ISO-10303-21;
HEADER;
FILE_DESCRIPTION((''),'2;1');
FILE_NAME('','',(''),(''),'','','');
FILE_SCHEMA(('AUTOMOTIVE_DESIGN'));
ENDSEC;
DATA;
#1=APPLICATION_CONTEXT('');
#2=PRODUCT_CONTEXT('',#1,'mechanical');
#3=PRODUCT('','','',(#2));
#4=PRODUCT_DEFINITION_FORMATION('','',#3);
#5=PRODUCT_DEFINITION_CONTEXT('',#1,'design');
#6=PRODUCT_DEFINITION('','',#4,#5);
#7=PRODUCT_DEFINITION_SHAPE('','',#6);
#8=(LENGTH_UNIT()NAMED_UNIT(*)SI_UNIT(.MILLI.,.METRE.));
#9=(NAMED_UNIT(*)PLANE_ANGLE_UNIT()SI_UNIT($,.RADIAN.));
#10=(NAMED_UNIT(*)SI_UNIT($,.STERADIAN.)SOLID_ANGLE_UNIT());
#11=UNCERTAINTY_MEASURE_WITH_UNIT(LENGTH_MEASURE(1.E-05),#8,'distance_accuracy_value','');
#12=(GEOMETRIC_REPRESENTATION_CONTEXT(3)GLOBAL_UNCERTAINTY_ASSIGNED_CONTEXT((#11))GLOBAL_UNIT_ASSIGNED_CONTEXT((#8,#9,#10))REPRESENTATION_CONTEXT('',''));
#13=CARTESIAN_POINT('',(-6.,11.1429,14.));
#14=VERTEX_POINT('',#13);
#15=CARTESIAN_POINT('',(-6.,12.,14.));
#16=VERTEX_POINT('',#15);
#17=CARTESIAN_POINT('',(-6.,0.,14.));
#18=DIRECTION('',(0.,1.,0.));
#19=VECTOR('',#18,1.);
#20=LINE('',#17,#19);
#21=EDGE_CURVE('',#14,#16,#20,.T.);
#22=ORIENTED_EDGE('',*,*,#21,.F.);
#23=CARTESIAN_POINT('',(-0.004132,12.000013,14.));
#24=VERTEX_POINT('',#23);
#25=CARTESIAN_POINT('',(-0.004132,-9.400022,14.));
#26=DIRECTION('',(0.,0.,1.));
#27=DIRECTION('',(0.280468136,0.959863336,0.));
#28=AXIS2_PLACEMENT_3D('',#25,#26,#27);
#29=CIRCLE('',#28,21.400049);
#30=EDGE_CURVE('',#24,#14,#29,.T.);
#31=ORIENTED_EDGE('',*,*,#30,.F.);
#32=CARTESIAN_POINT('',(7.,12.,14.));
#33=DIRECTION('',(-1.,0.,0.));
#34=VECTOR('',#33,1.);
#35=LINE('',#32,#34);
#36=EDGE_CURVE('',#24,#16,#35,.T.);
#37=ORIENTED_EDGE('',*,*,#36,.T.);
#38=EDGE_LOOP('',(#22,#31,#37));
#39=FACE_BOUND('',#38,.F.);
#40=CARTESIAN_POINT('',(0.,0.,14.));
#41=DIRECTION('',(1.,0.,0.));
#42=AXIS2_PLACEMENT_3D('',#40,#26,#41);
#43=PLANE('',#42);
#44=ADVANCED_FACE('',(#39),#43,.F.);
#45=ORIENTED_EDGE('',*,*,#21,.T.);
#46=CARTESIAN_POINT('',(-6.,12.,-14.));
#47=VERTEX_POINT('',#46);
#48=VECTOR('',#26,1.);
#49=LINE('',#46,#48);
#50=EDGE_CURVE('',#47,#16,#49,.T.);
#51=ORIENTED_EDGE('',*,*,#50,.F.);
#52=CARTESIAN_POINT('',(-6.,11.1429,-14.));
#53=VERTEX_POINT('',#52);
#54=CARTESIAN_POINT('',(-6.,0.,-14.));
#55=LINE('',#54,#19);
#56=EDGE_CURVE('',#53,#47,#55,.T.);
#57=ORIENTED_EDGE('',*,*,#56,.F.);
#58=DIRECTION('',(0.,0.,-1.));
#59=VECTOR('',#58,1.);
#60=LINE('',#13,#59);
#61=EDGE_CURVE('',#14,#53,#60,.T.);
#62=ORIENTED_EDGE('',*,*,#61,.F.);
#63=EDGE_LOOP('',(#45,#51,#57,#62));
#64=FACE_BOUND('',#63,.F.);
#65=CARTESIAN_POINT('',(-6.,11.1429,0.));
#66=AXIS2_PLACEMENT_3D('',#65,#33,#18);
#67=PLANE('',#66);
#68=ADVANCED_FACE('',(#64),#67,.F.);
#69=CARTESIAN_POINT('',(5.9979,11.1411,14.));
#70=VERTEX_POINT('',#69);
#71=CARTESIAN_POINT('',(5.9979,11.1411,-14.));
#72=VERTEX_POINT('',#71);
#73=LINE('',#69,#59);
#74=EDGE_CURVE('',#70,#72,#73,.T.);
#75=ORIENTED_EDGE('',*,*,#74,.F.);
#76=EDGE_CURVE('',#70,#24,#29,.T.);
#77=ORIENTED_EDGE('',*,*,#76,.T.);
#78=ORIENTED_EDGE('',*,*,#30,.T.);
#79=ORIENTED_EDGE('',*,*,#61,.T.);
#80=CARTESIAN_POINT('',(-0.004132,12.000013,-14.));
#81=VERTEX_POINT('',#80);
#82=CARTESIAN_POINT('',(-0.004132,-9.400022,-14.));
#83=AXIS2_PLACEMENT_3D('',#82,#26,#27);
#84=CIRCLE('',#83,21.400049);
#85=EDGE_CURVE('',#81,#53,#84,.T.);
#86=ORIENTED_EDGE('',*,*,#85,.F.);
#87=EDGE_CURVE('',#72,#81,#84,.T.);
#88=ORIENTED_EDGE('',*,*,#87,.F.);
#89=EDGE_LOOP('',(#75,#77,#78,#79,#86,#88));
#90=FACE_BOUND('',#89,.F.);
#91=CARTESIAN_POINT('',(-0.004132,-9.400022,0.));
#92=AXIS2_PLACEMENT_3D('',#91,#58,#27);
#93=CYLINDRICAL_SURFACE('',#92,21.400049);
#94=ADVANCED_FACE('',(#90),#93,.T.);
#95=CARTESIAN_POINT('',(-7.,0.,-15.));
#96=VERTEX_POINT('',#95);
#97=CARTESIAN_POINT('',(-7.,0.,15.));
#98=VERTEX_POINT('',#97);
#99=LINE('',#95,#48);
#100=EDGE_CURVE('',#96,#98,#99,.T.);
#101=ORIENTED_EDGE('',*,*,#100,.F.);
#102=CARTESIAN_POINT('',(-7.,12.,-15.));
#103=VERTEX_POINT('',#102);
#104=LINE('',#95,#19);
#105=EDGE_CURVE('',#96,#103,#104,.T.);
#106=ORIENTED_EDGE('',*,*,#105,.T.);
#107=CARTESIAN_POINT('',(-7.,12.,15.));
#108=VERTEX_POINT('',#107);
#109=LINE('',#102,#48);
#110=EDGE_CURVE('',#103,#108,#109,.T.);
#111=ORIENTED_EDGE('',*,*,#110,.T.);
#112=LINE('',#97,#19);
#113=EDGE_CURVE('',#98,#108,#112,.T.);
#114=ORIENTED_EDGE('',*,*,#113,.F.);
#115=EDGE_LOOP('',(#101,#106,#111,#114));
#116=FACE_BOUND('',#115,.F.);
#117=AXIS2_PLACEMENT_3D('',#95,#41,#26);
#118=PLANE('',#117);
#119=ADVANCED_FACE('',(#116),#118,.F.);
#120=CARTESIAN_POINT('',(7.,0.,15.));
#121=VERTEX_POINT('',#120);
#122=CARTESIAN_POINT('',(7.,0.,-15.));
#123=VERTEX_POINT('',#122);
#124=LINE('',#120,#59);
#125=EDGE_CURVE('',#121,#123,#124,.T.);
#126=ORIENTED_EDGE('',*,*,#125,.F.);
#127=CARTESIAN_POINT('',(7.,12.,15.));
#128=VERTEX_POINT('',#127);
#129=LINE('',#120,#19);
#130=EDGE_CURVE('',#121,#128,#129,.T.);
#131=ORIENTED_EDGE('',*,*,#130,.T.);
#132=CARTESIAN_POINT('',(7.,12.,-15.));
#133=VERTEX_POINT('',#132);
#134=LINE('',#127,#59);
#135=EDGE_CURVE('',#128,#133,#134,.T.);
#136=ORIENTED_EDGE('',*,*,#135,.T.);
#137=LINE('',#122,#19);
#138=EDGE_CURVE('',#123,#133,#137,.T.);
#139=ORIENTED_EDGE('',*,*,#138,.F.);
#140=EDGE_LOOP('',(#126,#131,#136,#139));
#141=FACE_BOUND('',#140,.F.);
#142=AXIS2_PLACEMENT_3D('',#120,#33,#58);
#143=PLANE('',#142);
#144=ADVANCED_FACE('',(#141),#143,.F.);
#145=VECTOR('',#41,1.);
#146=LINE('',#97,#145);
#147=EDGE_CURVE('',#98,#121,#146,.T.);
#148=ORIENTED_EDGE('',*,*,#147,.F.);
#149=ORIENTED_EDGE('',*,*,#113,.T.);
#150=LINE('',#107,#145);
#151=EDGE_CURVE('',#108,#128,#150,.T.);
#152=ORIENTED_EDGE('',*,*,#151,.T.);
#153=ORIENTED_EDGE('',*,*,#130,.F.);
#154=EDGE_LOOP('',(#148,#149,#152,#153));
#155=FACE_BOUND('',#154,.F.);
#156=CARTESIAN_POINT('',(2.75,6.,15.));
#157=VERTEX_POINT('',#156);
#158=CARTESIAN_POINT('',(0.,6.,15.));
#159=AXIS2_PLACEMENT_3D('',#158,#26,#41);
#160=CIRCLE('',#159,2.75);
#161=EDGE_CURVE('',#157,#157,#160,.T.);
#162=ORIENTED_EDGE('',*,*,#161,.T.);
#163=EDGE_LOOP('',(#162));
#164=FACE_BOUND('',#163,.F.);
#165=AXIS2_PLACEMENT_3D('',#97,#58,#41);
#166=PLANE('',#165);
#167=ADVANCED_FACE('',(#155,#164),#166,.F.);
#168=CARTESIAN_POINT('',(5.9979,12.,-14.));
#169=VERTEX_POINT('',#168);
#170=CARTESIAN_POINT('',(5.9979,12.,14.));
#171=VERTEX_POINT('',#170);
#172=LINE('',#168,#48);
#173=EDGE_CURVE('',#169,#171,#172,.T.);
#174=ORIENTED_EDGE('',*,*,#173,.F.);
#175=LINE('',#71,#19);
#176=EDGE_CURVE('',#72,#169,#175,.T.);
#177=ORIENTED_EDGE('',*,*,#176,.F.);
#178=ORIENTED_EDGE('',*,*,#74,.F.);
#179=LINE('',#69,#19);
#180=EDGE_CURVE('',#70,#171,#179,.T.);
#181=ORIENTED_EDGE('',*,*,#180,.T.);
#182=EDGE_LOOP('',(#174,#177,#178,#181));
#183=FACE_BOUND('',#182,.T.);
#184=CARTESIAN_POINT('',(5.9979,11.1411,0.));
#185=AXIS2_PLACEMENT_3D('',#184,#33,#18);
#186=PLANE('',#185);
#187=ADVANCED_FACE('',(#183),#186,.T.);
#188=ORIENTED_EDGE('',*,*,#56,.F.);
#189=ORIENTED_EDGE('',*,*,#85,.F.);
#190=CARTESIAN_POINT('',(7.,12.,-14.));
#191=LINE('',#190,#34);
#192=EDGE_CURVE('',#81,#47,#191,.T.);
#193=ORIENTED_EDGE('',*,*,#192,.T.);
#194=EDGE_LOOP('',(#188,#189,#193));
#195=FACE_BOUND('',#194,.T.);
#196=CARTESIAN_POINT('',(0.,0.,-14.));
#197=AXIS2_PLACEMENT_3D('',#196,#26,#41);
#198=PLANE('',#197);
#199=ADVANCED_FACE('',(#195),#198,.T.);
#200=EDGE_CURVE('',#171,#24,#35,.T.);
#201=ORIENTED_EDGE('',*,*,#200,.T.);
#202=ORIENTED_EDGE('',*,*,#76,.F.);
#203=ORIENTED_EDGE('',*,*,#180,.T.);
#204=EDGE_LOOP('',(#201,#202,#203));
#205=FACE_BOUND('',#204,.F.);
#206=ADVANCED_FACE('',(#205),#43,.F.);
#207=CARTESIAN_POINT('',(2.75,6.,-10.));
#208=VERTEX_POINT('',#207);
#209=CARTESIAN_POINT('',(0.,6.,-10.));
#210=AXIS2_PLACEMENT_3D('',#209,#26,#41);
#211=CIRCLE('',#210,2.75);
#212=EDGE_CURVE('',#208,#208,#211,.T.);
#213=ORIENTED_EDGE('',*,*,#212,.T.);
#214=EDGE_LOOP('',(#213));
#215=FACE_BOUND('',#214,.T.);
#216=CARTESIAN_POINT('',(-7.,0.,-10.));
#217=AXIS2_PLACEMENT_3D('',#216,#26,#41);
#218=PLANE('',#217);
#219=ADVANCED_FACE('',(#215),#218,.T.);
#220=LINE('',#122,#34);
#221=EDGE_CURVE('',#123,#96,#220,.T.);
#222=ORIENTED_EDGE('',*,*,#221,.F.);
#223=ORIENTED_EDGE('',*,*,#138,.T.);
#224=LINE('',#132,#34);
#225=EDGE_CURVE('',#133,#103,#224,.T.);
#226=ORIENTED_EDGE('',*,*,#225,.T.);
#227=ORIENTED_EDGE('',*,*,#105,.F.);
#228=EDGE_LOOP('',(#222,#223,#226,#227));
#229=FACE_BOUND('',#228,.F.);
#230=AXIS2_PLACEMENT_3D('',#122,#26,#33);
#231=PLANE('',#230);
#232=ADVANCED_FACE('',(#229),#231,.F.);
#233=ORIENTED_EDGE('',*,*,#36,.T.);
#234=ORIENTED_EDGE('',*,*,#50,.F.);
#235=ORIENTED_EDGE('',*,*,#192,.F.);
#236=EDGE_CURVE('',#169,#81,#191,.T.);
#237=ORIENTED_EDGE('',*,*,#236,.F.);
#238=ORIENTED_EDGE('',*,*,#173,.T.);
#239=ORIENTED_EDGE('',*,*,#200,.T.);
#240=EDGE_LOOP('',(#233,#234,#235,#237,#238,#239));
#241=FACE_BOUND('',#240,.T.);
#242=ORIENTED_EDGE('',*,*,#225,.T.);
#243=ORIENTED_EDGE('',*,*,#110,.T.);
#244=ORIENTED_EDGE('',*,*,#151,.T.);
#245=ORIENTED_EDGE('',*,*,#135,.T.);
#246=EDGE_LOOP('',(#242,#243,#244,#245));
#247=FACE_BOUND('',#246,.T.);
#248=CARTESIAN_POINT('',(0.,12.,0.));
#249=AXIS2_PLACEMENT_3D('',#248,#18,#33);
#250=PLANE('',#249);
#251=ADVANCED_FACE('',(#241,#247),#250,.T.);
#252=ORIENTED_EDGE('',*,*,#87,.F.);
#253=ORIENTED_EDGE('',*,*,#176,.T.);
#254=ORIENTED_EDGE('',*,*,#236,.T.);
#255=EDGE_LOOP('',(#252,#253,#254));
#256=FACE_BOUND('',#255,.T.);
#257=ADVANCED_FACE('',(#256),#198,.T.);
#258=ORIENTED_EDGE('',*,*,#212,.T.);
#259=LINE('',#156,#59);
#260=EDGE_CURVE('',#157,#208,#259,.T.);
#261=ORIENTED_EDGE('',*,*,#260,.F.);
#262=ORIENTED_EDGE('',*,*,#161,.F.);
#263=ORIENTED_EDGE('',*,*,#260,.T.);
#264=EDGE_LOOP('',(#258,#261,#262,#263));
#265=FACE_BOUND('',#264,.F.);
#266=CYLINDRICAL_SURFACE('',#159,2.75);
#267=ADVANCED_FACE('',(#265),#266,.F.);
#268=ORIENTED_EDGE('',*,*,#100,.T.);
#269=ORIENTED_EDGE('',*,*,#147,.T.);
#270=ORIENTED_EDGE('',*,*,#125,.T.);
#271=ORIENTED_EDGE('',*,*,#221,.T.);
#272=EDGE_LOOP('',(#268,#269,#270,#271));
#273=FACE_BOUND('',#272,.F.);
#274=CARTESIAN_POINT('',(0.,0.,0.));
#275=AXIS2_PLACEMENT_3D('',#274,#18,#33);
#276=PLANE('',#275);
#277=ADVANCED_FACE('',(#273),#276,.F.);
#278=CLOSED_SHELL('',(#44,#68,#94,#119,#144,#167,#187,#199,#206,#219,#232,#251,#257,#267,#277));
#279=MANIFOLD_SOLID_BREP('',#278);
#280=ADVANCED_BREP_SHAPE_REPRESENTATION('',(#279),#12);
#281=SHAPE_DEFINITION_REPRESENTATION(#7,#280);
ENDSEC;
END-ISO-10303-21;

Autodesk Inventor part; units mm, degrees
ref_plane "YZ Plane" through (0, 0, 0) normal (1, 0, 0) x (0, 1, 0)
ref_plane "XZ Plane" through (0, 0, 0) normal (0, 1, 0) x (-1, 0, 0)
ref_plane "XY Plane" through (0, 0, 0) normal (0, 0, 1) x (1, 0, 0)
sketch "Sketch1" plane through (0, 0, 0) normal (0, 1, 0) x (-1, 0, 0)
  line L0 (-7, 15) -> (-7, -15)
  line L1 (-7, -15) -> (7, -15)
  line L2 (7, -15) -> (7, 15)
  line L3 (7, 15) -> (-7, 15)
  line L4 (-7, 15) -> (7, -15) construction
  line L5 (-7, -15) -> (7, 15) construction
  point P0 (0, 0)
  dimension "d0" = 30
  dimension "d1" = 14
extrude "Extrusion1" add sketch "Sketch1" along normal blind 12
sketch "Sketch2" plane through (-7, 0, 15) normal (0, 0, 1) x (1, 0, 0)
  circle A0 centre (7, 6) radius 2.75
  point P0 (7, 0)
  dimension "d4" = 5.5
extrude "Extrusion2" cut sketch "Sketch2" against normal blind 25
sketch "Sketch3" plane through (0, 12, 0) normal (0, 1, 0) x (1, 0, 0)
  line L0 (7, -15) -> (7, 15) projected
  line L1 (7, 15) -> (-7, 15) projected
  line L2 (-7, 15) -> (-7, -15) projected
  line L3 (-7, -15) -> (7, -15) projected
  line L4 (-6, -14) -> (-6, 14)
  line L5 (-6, 14) -> (6, 14)
  line L6 (6, 14) -> (6, -14)
  line L7 (6, -14) -> (-6, -14)
  point P0 (0, 0)
  dimension "d7" = 1
sketch "Sketch4" plane through (0, 0, 0) normal (0, 0, 1) x (1, 0, 0)
  line L0 (7, 12) -> (-7, 12) projected
  line L1 (-7, 12) -> (7, 0)
  line L2 (7, 0) -> (7, 12) projected
  line L3 (7, 0) -> (7, 12)
  line L4 (7, 12) -> (-7, 0)
  line L5 (-7, 0) -> (-6, 0)
  line L6 (7, 0) -> (-7, 0) projected
  line L7 (-6, 0) -> (-6, 12)
  arc A0 (5.9979, 11.1411) -> (-6, 11.1429) centre (-0.0041, -9.3998) ccw
  line L8 (5.9979, 11.1411) -> (5.9979, 12)
  point P0 (0, 0)
  dimension "d8" = 1
extrude "Extrusion3" cut sketch "Sketch4" along normal mid plane 28 contours L8 A0 L0 | A0 L7 L0
properties part number "Solonoid Outside"
